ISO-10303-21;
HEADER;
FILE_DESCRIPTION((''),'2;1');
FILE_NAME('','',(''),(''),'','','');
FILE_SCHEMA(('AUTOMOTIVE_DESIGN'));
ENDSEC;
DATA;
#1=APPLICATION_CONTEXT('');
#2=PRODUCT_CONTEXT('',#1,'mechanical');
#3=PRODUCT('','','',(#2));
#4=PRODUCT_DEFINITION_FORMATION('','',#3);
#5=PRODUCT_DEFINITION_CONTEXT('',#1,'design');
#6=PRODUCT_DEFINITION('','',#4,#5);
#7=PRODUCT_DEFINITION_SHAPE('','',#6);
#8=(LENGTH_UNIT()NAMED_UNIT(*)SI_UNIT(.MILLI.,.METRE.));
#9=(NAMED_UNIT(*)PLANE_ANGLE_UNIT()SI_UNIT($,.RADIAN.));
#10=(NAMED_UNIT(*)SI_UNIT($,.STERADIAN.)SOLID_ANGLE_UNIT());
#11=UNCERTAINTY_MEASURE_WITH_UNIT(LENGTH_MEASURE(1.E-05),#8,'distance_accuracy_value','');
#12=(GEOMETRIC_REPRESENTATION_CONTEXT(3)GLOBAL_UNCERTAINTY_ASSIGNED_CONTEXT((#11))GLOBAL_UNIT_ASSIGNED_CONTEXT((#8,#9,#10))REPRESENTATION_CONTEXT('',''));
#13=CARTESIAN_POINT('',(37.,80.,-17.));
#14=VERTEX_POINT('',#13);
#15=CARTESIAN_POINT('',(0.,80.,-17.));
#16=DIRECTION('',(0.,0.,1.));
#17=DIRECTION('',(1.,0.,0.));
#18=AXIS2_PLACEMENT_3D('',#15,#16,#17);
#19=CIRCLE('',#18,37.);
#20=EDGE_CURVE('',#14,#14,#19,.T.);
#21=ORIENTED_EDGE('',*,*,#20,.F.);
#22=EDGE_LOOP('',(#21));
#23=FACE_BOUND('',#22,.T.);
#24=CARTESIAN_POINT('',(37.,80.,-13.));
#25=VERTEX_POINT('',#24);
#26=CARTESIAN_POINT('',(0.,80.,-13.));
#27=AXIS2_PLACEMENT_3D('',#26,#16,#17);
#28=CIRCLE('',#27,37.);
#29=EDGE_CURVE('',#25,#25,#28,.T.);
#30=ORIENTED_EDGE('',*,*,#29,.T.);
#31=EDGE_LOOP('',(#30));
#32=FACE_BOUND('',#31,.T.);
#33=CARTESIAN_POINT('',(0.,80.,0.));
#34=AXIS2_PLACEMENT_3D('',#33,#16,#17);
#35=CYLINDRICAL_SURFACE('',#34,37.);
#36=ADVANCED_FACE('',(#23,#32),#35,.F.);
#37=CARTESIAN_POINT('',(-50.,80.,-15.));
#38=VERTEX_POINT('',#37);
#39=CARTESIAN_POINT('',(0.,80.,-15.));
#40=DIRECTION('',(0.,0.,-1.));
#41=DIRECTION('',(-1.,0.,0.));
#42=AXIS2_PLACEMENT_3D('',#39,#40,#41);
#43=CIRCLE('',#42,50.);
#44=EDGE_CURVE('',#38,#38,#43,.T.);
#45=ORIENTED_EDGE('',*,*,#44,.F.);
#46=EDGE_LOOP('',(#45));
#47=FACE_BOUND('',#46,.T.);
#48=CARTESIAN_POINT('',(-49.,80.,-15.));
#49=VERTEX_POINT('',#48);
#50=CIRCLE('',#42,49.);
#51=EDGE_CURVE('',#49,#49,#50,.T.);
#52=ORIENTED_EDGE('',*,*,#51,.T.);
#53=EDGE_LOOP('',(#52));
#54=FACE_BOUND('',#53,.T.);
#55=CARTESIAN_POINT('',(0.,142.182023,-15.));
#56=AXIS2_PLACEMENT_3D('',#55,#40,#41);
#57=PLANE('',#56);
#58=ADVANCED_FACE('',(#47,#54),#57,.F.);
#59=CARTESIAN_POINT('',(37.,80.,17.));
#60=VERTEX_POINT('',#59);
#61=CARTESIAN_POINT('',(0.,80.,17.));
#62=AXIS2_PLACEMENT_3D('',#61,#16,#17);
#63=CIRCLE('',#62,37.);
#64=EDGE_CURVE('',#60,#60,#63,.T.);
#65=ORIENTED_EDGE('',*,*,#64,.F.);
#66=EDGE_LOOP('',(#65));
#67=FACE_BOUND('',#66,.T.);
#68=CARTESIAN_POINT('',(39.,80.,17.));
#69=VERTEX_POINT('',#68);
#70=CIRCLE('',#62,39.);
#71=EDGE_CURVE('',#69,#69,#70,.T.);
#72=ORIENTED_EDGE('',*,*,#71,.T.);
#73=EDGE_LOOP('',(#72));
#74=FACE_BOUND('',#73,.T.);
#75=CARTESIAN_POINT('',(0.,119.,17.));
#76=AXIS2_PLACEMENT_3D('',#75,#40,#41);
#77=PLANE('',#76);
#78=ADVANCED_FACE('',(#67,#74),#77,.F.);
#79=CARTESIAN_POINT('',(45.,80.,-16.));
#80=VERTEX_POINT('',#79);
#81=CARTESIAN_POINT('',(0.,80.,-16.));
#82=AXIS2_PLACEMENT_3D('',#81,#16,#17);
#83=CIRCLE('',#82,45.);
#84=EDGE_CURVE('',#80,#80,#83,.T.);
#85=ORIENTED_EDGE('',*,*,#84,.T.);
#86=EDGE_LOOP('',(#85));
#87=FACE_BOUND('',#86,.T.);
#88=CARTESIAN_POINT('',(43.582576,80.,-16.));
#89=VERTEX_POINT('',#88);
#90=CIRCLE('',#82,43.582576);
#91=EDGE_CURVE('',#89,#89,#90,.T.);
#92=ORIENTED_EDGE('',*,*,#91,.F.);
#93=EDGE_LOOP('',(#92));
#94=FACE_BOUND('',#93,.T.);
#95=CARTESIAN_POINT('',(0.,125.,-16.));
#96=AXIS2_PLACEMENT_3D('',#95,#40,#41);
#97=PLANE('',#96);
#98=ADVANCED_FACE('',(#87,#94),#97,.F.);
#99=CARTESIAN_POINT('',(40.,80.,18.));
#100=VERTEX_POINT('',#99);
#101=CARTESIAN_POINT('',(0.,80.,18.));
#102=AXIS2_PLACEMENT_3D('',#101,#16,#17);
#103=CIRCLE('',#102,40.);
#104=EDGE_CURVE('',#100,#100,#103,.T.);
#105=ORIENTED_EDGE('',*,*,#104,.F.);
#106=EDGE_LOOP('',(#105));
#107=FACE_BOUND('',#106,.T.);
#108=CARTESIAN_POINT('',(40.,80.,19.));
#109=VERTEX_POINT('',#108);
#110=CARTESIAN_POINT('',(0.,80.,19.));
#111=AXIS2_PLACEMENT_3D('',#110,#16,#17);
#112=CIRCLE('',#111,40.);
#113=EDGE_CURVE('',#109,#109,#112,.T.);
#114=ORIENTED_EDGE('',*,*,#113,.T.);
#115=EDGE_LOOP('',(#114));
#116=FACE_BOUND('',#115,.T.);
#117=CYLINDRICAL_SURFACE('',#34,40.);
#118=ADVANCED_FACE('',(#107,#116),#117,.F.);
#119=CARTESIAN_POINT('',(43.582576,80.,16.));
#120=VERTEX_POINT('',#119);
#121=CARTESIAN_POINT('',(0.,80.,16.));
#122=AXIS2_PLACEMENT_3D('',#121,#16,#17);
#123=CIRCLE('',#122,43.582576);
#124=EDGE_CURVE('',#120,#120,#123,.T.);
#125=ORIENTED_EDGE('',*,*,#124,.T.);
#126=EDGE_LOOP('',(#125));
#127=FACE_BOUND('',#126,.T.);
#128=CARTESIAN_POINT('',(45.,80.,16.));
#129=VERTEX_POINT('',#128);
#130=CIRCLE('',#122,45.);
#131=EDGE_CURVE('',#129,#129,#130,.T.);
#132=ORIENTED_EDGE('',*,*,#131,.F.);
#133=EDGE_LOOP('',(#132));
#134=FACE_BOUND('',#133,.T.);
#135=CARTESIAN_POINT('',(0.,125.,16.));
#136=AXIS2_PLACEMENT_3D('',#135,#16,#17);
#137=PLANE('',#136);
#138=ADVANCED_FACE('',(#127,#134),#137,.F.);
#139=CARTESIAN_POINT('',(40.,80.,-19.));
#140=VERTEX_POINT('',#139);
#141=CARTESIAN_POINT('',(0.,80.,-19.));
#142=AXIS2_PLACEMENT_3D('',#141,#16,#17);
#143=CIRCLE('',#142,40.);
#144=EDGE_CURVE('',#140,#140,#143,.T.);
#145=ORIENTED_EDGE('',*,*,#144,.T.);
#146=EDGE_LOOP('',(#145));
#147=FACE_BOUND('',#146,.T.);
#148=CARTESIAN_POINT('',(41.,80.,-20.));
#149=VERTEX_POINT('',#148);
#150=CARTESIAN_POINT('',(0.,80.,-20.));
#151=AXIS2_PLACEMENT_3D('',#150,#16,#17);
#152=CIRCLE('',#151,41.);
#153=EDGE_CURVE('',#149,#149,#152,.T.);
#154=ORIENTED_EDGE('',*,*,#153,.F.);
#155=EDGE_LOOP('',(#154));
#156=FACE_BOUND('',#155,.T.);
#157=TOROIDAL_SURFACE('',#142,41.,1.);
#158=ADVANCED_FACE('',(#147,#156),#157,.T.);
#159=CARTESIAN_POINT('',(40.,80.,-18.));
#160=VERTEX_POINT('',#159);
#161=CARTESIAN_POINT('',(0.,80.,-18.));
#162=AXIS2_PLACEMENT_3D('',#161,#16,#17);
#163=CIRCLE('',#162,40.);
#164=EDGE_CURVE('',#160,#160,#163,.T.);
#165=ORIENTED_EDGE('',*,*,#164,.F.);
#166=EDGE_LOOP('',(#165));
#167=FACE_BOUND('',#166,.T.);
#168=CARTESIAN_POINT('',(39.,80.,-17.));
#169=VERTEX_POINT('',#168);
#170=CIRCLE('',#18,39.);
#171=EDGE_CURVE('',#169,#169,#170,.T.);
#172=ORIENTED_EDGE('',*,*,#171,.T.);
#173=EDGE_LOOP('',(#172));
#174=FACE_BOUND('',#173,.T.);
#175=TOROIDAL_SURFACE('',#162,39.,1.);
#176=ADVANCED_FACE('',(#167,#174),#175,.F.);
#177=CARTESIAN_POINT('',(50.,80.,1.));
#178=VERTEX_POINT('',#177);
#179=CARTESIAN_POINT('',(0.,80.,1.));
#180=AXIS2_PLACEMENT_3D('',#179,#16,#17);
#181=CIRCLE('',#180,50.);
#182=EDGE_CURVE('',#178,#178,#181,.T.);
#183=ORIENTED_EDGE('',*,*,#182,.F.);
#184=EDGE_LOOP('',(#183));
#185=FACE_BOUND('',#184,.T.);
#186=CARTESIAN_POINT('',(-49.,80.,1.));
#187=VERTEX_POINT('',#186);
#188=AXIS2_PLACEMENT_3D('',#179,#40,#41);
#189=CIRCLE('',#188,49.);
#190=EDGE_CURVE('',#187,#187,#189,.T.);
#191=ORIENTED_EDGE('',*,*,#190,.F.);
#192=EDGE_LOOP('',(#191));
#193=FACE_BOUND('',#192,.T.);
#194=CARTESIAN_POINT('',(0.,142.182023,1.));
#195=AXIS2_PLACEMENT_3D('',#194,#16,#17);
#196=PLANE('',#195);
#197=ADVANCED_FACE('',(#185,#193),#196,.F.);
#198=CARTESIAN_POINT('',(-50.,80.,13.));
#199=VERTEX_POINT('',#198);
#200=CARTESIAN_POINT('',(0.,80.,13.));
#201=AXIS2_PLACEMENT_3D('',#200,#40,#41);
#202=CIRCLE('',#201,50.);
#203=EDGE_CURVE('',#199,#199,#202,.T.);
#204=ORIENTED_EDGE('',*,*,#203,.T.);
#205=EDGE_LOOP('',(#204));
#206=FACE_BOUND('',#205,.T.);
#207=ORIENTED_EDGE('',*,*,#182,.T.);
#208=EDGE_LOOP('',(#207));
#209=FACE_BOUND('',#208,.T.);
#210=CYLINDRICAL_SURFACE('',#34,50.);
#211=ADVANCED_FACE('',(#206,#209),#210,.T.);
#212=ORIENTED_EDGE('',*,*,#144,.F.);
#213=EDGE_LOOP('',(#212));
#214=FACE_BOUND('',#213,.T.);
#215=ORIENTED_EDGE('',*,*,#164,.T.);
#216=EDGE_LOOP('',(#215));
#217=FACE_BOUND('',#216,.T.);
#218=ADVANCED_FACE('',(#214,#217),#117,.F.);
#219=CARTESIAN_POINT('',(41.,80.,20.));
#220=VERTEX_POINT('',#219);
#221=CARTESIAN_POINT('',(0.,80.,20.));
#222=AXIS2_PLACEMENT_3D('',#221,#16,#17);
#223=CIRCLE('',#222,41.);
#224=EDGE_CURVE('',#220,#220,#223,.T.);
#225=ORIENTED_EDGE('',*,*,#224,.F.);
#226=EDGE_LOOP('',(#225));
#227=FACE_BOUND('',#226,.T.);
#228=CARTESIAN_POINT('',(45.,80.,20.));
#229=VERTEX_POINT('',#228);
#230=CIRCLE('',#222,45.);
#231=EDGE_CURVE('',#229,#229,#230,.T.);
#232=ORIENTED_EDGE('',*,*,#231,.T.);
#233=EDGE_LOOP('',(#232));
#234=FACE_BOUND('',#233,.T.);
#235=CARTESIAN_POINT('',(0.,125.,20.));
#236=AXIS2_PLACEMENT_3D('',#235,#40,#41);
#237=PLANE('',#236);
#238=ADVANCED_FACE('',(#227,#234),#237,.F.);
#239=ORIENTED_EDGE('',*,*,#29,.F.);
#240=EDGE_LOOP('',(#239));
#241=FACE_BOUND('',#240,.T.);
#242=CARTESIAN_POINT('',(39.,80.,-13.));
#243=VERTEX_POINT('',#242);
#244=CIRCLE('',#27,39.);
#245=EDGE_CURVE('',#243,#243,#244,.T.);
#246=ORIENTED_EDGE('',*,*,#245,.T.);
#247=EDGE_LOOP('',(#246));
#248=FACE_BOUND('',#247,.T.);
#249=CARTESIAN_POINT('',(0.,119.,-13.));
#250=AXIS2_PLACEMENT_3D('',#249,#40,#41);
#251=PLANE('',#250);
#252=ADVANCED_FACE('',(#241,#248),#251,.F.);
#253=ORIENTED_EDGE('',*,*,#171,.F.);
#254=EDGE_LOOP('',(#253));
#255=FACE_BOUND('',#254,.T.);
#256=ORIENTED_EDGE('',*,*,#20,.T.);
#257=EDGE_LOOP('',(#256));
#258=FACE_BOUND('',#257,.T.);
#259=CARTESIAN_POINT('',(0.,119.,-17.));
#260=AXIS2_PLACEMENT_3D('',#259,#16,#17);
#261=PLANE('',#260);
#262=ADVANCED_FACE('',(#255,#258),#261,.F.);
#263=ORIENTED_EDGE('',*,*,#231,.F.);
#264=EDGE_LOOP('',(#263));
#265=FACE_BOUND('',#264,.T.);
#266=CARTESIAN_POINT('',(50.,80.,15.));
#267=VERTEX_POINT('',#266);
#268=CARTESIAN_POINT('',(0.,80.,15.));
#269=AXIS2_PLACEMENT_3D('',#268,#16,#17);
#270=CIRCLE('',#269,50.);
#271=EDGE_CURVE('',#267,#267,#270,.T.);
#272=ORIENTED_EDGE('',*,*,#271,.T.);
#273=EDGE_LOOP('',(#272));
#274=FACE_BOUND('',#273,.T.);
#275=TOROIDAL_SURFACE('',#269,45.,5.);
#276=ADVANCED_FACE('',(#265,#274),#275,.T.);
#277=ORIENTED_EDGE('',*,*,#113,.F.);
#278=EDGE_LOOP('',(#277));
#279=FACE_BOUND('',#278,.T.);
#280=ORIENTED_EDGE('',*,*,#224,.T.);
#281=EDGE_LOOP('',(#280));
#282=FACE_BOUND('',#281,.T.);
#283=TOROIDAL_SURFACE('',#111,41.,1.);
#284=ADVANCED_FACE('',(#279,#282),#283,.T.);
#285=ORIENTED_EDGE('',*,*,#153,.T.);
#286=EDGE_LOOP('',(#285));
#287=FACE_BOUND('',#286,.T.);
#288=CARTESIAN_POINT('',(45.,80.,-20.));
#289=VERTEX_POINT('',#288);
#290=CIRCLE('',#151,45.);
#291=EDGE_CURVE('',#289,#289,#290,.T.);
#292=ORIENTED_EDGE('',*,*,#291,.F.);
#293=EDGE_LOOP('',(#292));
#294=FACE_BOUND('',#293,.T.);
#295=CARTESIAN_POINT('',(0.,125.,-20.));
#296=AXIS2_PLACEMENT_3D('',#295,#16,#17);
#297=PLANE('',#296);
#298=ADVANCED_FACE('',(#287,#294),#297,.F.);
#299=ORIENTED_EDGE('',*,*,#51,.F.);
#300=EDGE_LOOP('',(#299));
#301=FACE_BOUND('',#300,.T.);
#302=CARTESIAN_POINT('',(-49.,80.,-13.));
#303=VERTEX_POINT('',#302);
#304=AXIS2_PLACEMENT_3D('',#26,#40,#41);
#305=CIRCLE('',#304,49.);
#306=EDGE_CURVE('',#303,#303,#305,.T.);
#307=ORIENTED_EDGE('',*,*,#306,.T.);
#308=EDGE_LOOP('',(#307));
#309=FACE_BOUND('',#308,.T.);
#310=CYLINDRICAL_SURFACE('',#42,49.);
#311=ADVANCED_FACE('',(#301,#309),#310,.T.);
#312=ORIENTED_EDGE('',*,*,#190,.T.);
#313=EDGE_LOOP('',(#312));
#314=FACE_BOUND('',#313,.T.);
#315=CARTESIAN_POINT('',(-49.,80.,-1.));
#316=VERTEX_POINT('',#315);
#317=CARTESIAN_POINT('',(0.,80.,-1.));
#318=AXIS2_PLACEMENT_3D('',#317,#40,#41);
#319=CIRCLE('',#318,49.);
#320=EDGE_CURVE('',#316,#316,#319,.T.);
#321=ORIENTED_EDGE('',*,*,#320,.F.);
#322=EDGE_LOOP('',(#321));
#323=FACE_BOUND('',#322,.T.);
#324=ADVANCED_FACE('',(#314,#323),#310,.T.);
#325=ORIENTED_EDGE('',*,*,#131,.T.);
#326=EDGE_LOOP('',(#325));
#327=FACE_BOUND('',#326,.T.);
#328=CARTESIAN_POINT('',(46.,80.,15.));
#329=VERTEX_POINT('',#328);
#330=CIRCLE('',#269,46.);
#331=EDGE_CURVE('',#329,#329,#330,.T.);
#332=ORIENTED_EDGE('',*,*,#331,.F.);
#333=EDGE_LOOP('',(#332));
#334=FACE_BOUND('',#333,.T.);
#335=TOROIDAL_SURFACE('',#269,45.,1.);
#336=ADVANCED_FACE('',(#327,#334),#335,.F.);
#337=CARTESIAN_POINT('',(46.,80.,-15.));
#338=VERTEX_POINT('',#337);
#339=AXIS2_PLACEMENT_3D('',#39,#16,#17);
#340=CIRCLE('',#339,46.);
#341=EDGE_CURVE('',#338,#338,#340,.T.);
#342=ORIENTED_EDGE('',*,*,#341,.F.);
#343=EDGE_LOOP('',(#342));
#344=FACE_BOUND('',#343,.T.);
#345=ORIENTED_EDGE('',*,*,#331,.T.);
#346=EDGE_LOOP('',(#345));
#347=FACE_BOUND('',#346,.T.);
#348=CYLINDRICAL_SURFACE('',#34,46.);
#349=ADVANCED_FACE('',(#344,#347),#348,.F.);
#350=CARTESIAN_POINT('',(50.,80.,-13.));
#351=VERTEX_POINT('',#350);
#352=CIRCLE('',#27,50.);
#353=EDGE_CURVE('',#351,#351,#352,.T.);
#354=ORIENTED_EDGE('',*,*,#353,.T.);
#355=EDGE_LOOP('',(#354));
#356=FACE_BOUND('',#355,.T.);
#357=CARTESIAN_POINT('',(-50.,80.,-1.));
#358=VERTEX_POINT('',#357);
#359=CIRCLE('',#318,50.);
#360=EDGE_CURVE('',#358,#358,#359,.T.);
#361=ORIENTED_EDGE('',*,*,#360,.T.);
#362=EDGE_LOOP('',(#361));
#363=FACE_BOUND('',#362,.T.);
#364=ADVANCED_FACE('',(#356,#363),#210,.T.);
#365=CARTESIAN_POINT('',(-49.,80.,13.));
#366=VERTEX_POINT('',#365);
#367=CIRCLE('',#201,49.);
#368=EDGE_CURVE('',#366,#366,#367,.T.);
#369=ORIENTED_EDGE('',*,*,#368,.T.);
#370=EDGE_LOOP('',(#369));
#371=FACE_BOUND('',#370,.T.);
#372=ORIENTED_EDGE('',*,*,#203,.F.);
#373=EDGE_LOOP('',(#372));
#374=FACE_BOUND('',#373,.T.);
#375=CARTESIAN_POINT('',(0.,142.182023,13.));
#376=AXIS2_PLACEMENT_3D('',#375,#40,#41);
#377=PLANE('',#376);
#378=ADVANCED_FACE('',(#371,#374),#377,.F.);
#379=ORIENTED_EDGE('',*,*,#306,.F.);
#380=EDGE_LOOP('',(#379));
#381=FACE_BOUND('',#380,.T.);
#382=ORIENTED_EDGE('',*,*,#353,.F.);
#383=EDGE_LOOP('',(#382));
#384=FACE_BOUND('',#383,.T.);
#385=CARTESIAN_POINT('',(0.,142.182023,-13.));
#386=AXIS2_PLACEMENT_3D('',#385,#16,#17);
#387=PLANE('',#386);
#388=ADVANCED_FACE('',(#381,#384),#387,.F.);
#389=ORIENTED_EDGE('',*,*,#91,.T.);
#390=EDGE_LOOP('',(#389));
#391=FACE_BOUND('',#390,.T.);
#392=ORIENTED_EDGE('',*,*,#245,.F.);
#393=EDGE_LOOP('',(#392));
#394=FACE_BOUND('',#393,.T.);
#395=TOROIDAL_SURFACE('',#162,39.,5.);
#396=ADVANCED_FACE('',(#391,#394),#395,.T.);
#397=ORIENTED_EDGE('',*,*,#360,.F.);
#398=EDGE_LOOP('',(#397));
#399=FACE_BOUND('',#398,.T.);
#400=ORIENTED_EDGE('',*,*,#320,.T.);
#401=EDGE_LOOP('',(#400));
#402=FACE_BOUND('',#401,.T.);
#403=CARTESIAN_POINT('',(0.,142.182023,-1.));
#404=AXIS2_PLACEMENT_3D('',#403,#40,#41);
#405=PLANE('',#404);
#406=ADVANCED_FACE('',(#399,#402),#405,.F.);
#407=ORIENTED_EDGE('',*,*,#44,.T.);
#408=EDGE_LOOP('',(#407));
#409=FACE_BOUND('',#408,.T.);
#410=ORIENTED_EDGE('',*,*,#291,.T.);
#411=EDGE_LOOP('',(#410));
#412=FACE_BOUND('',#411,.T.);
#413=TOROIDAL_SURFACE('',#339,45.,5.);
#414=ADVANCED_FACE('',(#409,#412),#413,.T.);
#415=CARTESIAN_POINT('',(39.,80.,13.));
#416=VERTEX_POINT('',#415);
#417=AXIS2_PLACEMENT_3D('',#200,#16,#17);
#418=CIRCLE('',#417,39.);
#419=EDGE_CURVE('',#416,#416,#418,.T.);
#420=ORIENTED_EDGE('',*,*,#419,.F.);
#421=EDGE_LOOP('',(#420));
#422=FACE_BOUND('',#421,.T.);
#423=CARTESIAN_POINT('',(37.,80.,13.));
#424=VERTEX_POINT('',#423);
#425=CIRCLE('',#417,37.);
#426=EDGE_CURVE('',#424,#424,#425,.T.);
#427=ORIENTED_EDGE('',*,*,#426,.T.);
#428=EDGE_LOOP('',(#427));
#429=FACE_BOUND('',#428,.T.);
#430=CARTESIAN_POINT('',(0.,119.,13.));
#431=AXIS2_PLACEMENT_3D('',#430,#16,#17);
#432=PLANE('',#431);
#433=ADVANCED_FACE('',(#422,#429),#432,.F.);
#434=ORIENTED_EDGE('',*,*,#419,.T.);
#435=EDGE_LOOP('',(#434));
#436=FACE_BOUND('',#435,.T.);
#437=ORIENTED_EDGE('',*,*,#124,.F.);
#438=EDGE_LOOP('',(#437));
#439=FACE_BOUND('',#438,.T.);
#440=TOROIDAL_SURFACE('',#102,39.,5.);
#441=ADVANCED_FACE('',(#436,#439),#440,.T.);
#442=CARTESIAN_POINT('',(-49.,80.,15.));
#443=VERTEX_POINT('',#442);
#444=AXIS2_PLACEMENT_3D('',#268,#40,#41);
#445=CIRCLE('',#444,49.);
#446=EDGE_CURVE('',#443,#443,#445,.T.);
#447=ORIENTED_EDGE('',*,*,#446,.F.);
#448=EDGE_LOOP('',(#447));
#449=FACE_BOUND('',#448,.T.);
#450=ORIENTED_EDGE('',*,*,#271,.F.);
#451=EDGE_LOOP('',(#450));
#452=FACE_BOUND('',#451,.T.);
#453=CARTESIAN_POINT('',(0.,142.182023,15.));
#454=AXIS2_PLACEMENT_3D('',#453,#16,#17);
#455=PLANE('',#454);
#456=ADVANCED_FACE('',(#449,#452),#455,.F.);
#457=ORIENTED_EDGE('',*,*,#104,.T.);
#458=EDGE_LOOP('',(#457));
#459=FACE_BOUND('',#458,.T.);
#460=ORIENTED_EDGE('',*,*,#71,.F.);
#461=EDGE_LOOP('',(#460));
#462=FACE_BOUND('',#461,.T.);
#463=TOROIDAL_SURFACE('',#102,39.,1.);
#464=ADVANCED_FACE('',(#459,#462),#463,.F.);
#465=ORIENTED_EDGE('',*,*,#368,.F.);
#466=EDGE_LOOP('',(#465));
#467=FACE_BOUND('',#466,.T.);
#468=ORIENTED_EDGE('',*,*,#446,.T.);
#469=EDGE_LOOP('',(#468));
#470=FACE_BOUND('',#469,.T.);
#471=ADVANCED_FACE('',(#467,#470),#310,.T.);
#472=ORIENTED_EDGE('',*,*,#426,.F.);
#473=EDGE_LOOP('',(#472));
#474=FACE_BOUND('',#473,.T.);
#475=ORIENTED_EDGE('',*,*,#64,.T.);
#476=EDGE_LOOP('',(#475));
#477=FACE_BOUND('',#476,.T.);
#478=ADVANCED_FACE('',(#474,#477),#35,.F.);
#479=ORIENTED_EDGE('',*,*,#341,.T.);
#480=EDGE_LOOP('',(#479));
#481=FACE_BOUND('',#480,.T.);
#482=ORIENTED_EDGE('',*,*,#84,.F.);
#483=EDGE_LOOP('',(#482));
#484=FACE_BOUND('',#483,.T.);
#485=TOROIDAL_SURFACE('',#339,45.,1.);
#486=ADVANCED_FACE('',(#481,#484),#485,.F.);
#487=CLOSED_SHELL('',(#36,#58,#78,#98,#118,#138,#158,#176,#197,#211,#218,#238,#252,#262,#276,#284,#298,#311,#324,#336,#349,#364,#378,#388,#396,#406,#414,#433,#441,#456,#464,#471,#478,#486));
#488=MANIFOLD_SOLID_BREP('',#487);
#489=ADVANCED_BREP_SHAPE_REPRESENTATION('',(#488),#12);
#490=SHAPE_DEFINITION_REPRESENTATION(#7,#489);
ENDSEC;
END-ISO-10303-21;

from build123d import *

# Parameters (mm, degrees)
SKETCH2_W    = 4
SKETCH2_H    = 26.364045801
SCALE1_SCALE = 0.5


with BuildPart() as part:
    # Sketch1 → Revolve1 (revolve)
    with BuildSketch(Plane(origin=(0, 0, 0), x_dir=(0, 0, -1), z_dir=(1, 0, 0)), mode=Mode.PRIVATE) as revolve1_sk:
        with BuildLine():
            Line((0, 180), (30, 180))
            ThreePointArc((30, 180), (37.071067812, 177.071067812), (40, 170))
            Line((40, 170), (40, 162))
            ThreePointArc((40, 162), (39.414213562, 160.585786438), (38, 160))
            Line((38, 160), (36, 160))
            ThreePointArc((36, 160), (34.585786438, 159.414213562), (34, 158))
            Line((34, 158), (34, 154))
            Line((34, 154), (26, 154))
            Line((26, 154), (26, 158))
            ThreePointArc((26, 158), (27.633399735, 163.477225575), (32, 167.16515139))
            Line((32, 167.16515139), (32, 170))
            ThreePointArc((32, 170), (31.414213562, 171.414213562), (30, 172))
            Line((30, 172), (0, 172))
            Line((0, 172), (-30, 172))
            ThreePointArc((-30, 172), (-31.414213562, 171.414213562), (-32, 170))
            Line((-32, 170), (-32, 167.16515139))
            ThreePointArc((-32, 167.16515139), (-27.633399735, 163.477225575), (-26, 158))
            Line((-26, 158), (-26, 154))
            Line((-26, 154), (-34, 154))
            Line((-34, 154), (-34, 158))
            ThreePointArc((-34, 158), (-34.585786438, 159.414213562), (-36, 160))
            Line((-36, 160), (-38, 160))
            ThreePointArc((-38, 160), (-39.414213562, 160.585786438), (-40, 162))
            Line((-40, 162), (-40, 170))
            ThreePointArc((-40, 170), (-37.071067812, 177.071067812), (-30, 180))
            Line((-30, 180), (0, 180))
        make_face()
    revolve(revolve1_sk.sketch.rotate(Axis((0, 80, 0), (0, 0, -1)), 90), axis=Axis((0, 80, 0), (0, 0, -1)))

    # Sketch2 → Cut-Revolve1 (revolve, cut)
    with BuildSketch(Plane(origin=(0, 0, 0), x_dir=(0, 0, -1), z_dir=(1, 0, 0)), mode=Mode.PRIVATE) as cut_revolve1_sk:
        with Locations((28, 191.1820229)):
            Rectangle(SKETCH2_W, SKETCH2_H)
        with Locations((-28, 191.1820229)):
            Rectangle(SKETCH2_W, SKETCH2_H)
        with Locations((0, 191.1820229)):
            Rectangle(SKETCH2_W, SKETCH2_H)
    revolve(cut_revolve1_sk.sketch.rotate(Axis((0, 80, -30), (0, 0, 1)), 90), axis=Axis((0, 80, -30), (0, 0, 1)), mode=Mode.SUBTRACT)


with BuildPart() as part_1:
    # Scale1: scaled about (0, 80, 0)
    add(part.part.scale(SCALE1_SCALE).moved(Location((0, 40, 0))))


solid = part_1.part
